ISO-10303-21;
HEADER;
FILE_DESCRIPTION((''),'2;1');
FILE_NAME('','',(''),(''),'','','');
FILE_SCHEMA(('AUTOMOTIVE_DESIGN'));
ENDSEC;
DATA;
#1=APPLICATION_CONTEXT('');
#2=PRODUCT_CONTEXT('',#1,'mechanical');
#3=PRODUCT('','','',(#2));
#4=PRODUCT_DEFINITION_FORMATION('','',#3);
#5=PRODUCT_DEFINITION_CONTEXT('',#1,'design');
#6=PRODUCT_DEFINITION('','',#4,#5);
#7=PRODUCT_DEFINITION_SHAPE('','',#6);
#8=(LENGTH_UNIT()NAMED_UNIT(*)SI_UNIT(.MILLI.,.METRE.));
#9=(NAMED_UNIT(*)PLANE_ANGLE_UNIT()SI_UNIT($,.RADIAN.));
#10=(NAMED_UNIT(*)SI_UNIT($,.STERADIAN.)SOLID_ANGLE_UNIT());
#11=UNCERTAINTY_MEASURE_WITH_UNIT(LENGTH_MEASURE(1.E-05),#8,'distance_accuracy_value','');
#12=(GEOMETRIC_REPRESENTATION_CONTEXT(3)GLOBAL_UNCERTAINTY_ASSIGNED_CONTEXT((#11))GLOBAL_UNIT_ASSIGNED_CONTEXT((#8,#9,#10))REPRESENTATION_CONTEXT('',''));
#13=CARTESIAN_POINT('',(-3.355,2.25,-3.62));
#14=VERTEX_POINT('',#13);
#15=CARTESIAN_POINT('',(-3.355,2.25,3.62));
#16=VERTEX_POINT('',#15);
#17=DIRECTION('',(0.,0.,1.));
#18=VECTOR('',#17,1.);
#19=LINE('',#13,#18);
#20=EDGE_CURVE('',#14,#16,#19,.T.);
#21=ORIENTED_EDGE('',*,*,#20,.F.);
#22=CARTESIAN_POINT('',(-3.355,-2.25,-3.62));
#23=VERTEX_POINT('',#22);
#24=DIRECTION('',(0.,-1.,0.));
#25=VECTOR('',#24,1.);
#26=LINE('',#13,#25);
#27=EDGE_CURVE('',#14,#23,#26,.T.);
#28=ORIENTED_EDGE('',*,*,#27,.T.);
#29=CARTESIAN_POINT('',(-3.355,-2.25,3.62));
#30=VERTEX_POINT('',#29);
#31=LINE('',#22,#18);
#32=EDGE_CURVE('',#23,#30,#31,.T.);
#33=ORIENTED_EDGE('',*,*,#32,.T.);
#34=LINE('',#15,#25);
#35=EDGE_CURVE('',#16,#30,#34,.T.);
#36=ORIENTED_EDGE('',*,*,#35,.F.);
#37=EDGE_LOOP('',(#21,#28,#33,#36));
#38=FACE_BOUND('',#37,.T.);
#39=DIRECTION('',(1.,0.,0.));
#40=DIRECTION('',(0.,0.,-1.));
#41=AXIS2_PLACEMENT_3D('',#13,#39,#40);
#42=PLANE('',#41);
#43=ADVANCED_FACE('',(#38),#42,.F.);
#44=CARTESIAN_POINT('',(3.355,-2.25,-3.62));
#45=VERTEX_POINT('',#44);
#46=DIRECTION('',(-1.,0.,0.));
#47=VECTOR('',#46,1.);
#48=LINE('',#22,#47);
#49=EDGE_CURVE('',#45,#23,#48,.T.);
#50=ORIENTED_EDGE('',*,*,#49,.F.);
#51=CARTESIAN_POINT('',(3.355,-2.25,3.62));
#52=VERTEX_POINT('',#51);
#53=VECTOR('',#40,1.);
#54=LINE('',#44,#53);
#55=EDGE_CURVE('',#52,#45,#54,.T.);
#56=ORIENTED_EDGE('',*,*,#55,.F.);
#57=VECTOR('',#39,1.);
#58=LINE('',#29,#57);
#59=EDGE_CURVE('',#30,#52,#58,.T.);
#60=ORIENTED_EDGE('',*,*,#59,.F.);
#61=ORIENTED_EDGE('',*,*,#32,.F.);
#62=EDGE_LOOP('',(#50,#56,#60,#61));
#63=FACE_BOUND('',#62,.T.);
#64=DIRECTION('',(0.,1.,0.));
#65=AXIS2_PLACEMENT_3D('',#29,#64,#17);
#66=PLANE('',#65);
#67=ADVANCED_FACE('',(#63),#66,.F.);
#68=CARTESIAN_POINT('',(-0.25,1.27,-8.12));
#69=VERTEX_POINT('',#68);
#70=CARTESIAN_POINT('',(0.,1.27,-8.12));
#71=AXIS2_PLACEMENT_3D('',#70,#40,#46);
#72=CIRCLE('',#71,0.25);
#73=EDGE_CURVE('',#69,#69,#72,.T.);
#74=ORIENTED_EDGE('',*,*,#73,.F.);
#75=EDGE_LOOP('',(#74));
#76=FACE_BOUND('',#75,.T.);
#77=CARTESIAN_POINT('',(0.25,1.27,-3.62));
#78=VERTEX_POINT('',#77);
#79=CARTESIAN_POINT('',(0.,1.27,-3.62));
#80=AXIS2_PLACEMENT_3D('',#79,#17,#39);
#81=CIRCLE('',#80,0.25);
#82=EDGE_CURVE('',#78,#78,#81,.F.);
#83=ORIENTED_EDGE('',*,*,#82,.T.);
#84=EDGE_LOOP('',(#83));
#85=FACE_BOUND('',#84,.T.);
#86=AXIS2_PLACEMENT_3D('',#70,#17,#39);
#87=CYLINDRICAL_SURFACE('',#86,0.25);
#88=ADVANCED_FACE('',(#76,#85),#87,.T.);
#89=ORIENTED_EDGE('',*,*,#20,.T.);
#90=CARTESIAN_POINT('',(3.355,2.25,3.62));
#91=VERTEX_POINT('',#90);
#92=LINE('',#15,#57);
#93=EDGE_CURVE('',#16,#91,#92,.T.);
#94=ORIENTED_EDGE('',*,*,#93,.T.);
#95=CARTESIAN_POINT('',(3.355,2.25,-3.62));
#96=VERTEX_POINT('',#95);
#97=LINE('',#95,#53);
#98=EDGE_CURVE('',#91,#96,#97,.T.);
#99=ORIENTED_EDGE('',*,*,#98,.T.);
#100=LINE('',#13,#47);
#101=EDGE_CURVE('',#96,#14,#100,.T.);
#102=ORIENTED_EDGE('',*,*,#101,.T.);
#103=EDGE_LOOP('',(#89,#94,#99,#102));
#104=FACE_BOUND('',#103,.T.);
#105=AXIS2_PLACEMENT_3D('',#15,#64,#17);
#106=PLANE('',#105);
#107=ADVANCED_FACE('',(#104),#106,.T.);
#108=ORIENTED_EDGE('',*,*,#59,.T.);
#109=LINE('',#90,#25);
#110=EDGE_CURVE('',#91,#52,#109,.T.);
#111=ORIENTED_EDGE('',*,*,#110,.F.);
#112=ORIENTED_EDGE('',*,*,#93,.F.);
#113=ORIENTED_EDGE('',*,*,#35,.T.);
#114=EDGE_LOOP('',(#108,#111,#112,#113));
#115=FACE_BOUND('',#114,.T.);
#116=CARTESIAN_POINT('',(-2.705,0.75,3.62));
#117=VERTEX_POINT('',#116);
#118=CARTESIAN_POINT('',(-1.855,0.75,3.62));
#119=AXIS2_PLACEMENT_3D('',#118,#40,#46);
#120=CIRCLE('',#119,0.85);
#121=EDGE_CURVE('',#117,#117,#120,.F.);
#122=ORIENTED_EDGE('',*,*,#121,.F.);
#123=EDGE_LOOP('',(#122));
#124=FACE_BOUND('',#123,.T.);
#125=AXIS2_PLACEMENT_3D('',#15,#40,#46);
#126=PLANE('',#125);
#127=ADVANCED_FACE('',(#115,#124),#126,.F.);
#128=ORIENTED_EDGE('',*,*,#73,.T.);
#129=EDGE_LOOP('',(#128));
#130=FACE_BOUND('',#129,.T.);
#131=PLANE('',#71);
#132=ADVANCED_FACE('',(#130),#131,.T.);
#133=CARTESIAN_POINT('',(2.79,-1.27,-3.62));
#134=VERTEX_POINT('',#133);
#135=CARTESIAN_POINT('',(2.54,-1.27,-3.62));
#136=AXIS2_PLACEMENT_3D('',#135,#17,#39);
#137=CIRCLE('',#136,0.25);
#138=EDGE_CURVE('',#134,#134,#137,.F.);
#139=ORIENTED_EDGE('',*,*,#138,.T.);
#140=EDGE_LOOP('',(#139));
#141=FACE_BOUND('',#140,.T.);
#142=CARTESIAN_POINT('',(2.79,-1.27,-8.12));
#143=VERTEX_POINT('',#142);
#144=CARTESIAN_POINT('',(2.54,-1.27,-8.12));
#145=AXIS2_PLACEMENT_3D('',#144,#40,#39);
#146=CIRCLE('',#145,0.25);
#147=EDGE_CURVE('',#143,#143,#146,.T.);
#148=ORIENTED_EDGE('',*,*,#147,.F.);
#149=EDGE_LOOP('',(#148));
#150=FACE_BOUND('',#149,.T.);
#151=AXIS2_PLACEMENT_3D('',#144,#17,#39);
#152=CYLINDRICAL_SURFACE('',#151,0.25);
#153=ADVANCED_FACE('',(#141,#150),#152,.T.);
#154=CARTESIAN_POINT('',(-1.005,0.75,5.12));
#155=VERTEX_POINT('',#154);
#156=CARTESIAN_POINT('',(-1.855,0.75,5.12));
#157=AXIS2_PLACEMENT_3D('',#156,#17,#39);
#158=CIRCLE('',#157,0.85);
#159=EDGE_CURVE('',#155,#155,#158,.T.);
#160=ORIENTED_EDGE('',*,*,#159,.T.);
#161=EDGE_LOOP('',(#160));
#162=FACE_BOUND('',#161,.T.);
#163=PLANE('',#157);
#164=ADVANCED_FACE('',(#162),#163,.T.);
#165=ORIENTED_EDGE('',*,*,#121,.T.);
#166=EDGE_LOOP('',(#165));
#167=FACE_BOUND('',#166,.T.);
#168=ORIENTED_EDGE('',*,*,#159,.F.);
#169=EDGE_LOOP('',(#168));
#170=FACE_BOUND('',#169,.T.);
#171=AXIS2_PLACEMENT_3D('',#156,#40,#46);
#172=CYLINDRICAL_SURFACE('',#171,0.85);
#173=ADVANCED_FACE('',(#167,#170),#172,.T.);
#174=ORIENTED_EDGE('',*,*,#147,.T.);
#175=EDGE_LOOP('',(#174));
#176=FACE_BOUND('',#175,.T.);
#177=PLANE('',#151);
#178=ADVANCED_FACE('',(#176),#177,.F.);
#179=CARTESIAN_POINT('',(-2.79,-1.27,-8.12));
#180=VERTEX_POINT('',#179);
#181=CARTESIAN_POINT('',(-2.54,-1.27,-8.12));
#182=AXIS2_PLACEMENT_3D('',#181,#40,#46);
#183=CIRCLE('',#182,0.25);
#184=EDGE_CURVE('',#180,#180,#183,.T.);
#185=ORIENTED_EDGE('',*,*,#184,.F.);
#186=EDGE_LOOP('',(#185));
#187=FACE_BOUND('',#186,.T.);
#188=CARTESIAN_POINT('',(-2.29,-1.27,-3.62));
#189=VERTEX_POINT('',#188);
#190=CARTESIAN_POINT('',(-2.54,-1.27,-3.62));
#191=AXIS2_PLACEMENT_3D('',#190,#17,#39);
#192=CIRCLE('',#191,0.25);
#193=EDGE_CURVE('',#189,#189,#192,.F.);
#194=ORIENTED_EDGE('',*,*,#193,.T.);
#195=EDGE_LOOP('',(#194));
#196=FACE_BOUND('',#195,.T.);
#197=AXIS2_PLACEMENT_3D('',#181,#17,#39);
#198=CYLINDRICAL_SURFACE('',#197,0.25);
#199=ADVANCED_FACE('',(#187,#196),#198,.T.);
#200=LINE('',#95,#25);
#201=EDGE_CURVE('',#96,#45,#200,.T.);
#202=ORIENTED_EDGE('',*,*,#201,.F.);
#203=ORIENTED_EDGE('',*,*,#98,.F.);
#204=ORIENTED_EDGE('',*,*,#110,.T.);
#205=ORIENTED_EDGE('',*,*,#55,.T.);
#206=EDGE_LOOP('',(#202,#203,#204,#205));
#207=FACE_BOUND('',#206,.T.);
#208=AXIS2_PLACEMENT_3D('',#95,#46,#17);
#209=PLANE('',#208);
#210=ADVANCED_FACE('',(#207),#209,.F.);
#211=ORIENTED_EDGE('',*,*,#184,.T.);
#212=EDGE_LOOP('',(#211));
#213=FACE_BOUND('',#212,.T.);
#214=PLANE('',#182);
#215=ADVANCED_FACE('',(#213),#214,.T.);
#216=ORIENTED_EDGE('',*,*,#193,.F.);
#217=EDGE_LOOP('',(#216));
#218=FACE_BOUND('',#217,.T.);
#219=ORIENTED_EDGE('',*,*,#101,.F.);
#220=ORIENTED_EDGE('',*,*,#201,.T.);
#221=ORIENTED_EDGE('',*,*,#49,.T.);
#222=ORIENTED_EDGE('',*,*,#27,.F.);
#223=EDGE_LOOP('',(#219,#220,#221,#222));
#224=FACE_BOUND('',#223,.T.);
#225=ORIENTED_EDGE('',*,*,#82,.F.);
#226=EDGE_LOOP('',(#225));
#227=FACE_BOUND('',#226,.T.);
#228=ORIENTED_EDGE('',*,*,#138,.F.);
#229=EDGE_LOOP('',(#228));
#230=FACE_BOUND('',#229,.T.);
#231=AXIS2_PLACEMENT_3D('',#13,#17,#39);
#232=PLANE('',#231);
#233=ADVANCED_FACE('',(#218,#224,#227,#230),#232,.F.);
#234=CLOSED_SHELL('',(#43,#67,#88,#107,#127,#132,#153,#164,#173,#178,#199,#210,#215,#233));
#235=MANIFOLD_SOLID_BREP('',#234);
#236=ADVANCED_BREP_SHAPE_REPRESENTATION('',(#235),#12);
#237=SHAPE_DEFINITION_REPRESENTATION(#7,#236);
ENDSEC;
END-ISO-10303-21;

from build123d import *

# Parameters (mm, degrees)
EXTRUDE_1_DEPTH      = 2.25
EXTRUDE_1_DEPTH_BACK = 2.25
SKETCH_1_W           = 6.71
SKETCH_1_H           = 7.24
SKETCH_3_R           = 0.25
EXTRUDE_3_DEPTH      = 4.5
SKETCH_4_R           = 0.85
EXTRUDE_4_DEPTH      = 1.5


with BuildPart() as part:
    # 草图1 → 拉伸1 (new, two sides: drawn at the far end of the back side and taken through both)
    with BuildSketch(Plane(origin=(0, 0, 0), x_dir=(1, 0, 0), z_dir=(0, 1, 0)).offset(-EXTRUDE_1_DEPTH_BACK)):
        Rectangle(SKETCH_1_W, SKETCH_1_H)
    extrude(amount=EXTRUDE_1_DEPTH + EXTRUDE_1_DEPTH_BACK)

    # 草图3 → 拉伸3 (add)
    with BuildSketch(Plane(origin=(0, 0, -3.62), x_dir=(-1, 0, 0), z_dir=(0, 0, -1))):
        with Locations((0, 1.27)):
            Circle(SKETCH_3_R)
        with Locations((2.54, -1.27)):
            Circle(SKETCH_3_R)
        with Locations((-2.54, -1.27)):
            Circle(SKETCH_3_R)
    extrude(amount=EXTRUDE_3_DEPTH)

    # 草图4 → 拉伸4 (add)
    with BuildSketch(Plane.XY.offset(3.62)):
        with Locations((-1.855, 0.75)):
            Circle(SKETCH_4_R)
    extrude(amount=EXTRUDE_4_DEPTH)


solid = part.part
